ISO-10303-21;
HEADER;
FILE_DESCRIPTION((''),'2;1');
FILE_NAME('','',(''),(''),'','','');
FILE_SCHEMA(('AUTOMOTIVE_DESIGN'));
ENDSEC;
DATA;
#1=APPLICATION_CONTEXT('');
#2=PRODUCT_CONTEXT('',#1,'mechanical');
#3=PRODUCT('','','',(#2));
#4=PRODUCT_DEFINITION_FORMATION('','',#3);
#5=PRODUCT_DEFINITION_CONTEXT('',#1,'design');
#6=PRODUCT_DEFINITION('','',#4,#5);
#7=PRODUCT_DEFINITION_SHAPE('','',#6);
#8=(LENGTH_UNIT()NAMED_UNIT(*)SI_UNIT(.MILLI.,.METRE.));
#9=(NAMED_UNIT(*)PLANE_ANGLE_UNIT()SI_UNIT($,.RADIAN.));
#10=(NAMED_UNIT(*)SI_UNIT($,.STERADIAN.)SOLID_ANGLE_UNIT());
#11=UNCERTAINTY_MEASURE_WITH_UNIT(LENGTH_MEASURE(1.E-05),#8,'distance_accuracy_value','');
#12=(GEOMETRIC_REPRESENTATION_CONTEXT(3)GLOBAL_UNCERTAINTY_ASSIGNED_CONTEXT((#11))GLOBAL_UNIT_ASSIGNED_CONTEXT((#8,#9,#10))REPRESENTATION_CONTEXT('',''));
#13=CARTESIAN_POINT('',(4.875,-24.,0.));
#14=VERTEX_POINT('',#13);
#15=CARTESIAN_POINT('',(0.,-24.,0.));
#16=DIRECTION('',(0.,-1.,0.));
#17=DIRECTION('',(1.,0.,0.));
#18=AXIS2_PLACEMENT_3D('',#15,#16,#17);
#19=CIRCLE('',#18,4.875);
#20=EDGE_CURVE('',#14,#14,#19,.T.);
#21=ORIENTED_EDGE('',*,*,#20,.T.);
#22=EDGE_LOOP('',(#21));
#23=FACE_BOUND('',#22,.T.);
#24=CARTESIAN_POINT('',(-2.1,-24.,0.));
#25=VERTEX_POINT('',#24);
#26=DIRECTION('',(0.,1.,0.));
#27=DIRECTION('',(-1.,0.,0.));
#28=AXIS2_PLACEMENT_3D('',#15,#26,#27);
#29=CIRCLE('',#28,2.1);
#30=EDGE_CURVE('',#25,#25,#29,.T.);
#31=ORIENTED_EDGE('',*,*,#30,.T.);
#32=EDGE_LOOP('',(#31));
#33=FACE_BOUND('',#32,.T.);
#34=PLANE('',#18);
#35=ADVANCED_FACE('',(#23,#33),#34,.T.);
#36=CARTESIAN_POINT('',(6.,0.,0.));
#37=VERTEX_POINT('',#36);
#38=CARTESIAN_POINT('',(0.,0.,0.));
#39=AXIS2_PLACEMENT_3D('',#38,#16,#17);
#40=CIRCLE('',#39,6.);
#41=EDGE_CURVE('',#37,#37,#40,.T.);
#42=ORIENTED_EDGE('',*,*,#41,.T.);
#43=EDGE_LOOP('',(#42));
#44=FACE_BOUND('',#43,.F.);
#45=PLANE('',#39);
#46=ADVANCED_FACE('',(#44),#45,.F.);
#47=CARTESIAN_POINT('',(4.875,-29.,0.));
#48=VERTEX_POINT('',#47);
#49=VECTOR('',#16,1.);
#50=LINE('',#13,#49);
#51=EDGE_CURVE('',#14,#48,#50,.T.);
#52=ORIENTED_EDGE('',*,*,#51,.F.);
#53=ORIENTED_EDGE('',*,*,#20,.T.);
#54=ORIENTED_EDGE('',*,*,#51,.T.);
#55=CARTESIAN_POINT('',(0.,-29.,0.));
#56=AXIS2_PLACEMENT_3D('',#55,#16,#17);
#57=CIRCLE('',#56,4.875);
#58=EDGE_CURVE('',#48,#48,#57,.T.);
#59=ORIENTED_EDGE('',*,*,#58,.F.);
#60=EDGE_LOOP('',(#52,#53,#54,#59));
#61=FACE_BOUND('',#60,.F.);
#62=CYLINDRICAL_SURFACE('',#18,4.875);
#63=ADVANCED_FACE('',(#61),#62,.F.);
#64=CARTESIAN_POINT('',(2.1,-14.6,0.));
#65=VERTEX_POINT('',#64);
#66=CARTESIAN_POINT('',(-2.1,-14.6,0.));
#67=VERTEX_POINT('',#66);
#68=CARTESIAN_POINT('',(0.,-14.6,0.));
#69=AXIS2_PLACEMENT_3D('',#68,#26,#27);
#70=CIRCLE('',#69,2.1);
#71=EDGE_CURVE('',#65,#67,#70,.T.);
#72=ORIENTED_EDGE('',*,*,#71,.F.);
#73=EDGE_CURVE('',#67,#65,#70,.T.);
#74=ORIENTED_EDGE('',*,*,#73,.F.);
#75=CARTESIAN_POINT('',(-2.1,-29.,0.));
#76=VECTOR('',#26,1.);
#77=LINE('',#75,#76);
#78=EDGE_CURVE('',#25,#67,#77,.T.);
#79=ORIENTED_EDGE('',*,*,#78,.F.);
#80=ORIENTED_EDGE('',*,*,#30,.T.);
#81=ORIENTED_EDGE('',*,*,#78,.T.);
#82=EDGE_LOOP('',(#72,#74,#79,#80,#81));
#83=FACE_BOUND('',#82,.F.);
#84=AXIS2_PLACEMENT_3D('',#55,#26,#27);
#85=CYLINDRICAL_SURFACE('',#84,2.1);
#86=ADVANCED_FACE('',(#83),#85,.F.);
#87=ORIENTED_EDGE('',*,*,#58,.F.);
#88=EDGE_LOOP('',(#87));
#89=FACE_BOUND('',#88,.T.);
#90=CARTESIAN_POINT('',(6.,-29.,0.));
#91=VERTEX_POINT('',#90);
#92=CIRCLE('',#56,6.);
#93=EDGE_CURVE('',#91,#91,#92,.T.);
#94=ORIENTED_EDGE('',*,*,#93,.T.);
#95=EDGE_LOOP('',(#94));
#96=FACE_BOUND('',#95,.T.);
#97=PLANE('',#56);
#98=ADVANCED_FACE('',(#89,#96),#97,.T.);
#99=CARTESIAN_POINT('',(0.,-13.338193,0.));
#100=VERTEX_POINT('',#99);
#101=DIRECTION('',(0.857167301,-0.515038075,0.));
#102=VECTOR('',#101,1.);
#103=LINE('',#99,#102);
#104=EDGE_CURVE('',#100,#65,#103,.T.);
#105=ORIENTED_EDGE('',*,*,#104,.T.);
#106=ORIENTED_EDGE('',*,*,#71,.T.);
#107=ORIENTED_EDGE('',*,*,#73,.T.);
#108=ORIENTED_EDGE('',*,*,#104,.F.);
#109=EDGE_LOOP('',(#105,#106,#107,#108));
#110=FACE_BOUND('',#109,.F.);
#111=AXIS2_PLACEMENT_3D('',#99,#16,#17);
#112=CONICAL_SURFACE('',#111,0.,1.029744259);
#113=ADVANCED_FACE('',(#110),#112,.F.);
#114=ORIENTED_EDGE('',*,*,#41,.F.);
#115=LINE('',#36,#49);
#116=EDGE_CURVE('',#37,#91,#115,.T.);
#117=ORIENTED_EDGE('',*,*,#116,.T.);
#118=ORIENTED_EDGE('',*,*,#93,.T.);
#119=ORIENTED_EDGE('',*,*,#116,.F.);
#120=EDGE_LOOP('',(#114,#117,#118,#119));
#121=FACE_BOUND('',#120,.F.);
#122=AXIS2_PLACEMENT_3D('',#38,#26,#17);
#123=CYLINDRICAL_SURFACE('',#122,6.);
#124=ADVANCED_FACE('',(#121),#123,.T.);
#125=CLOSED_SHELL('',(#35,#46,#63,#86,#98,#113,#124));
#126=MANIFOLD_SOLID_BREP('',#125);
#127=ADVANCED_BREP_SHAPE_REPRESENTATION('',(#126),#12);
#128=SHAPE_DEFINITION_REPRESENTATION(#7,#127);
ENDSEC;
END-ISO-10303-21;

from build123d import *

# Parameters (mm, degrees)
F0_R           = 6
F1_DEPTH       = 29
F3_D           = 4.2
F3_DEPTH       = 14.4
F3_CBORE_D     = 9.75
F3_CBORE_DEPTH = 5
F3_TIP         = 1.2618073


with BuildPart() as f1:
    # F0 (on Front) → F1 (new body)
    with BuildSketch(Plane.XZ):
        Circle(F0_R)
    extrude(amount=F1_DEPTH)

    # F3
    with Locations(Plane.XZ.offset(29)):
        with Locations((0, 0)):
            CounterBoreHole(F3_D / 2, F3_CBORE_D / 2, F3_CBORE_DEPTH, depth=F3_DEPTH)
            with Locations((0, 0, -(F3_DEPTH + F3_TIP / 2))):  # 118° drill point
                Cone(0, F3_D / 2, F3_TIP, mode=Mode.SUBTRACT)


solid = f1.part
